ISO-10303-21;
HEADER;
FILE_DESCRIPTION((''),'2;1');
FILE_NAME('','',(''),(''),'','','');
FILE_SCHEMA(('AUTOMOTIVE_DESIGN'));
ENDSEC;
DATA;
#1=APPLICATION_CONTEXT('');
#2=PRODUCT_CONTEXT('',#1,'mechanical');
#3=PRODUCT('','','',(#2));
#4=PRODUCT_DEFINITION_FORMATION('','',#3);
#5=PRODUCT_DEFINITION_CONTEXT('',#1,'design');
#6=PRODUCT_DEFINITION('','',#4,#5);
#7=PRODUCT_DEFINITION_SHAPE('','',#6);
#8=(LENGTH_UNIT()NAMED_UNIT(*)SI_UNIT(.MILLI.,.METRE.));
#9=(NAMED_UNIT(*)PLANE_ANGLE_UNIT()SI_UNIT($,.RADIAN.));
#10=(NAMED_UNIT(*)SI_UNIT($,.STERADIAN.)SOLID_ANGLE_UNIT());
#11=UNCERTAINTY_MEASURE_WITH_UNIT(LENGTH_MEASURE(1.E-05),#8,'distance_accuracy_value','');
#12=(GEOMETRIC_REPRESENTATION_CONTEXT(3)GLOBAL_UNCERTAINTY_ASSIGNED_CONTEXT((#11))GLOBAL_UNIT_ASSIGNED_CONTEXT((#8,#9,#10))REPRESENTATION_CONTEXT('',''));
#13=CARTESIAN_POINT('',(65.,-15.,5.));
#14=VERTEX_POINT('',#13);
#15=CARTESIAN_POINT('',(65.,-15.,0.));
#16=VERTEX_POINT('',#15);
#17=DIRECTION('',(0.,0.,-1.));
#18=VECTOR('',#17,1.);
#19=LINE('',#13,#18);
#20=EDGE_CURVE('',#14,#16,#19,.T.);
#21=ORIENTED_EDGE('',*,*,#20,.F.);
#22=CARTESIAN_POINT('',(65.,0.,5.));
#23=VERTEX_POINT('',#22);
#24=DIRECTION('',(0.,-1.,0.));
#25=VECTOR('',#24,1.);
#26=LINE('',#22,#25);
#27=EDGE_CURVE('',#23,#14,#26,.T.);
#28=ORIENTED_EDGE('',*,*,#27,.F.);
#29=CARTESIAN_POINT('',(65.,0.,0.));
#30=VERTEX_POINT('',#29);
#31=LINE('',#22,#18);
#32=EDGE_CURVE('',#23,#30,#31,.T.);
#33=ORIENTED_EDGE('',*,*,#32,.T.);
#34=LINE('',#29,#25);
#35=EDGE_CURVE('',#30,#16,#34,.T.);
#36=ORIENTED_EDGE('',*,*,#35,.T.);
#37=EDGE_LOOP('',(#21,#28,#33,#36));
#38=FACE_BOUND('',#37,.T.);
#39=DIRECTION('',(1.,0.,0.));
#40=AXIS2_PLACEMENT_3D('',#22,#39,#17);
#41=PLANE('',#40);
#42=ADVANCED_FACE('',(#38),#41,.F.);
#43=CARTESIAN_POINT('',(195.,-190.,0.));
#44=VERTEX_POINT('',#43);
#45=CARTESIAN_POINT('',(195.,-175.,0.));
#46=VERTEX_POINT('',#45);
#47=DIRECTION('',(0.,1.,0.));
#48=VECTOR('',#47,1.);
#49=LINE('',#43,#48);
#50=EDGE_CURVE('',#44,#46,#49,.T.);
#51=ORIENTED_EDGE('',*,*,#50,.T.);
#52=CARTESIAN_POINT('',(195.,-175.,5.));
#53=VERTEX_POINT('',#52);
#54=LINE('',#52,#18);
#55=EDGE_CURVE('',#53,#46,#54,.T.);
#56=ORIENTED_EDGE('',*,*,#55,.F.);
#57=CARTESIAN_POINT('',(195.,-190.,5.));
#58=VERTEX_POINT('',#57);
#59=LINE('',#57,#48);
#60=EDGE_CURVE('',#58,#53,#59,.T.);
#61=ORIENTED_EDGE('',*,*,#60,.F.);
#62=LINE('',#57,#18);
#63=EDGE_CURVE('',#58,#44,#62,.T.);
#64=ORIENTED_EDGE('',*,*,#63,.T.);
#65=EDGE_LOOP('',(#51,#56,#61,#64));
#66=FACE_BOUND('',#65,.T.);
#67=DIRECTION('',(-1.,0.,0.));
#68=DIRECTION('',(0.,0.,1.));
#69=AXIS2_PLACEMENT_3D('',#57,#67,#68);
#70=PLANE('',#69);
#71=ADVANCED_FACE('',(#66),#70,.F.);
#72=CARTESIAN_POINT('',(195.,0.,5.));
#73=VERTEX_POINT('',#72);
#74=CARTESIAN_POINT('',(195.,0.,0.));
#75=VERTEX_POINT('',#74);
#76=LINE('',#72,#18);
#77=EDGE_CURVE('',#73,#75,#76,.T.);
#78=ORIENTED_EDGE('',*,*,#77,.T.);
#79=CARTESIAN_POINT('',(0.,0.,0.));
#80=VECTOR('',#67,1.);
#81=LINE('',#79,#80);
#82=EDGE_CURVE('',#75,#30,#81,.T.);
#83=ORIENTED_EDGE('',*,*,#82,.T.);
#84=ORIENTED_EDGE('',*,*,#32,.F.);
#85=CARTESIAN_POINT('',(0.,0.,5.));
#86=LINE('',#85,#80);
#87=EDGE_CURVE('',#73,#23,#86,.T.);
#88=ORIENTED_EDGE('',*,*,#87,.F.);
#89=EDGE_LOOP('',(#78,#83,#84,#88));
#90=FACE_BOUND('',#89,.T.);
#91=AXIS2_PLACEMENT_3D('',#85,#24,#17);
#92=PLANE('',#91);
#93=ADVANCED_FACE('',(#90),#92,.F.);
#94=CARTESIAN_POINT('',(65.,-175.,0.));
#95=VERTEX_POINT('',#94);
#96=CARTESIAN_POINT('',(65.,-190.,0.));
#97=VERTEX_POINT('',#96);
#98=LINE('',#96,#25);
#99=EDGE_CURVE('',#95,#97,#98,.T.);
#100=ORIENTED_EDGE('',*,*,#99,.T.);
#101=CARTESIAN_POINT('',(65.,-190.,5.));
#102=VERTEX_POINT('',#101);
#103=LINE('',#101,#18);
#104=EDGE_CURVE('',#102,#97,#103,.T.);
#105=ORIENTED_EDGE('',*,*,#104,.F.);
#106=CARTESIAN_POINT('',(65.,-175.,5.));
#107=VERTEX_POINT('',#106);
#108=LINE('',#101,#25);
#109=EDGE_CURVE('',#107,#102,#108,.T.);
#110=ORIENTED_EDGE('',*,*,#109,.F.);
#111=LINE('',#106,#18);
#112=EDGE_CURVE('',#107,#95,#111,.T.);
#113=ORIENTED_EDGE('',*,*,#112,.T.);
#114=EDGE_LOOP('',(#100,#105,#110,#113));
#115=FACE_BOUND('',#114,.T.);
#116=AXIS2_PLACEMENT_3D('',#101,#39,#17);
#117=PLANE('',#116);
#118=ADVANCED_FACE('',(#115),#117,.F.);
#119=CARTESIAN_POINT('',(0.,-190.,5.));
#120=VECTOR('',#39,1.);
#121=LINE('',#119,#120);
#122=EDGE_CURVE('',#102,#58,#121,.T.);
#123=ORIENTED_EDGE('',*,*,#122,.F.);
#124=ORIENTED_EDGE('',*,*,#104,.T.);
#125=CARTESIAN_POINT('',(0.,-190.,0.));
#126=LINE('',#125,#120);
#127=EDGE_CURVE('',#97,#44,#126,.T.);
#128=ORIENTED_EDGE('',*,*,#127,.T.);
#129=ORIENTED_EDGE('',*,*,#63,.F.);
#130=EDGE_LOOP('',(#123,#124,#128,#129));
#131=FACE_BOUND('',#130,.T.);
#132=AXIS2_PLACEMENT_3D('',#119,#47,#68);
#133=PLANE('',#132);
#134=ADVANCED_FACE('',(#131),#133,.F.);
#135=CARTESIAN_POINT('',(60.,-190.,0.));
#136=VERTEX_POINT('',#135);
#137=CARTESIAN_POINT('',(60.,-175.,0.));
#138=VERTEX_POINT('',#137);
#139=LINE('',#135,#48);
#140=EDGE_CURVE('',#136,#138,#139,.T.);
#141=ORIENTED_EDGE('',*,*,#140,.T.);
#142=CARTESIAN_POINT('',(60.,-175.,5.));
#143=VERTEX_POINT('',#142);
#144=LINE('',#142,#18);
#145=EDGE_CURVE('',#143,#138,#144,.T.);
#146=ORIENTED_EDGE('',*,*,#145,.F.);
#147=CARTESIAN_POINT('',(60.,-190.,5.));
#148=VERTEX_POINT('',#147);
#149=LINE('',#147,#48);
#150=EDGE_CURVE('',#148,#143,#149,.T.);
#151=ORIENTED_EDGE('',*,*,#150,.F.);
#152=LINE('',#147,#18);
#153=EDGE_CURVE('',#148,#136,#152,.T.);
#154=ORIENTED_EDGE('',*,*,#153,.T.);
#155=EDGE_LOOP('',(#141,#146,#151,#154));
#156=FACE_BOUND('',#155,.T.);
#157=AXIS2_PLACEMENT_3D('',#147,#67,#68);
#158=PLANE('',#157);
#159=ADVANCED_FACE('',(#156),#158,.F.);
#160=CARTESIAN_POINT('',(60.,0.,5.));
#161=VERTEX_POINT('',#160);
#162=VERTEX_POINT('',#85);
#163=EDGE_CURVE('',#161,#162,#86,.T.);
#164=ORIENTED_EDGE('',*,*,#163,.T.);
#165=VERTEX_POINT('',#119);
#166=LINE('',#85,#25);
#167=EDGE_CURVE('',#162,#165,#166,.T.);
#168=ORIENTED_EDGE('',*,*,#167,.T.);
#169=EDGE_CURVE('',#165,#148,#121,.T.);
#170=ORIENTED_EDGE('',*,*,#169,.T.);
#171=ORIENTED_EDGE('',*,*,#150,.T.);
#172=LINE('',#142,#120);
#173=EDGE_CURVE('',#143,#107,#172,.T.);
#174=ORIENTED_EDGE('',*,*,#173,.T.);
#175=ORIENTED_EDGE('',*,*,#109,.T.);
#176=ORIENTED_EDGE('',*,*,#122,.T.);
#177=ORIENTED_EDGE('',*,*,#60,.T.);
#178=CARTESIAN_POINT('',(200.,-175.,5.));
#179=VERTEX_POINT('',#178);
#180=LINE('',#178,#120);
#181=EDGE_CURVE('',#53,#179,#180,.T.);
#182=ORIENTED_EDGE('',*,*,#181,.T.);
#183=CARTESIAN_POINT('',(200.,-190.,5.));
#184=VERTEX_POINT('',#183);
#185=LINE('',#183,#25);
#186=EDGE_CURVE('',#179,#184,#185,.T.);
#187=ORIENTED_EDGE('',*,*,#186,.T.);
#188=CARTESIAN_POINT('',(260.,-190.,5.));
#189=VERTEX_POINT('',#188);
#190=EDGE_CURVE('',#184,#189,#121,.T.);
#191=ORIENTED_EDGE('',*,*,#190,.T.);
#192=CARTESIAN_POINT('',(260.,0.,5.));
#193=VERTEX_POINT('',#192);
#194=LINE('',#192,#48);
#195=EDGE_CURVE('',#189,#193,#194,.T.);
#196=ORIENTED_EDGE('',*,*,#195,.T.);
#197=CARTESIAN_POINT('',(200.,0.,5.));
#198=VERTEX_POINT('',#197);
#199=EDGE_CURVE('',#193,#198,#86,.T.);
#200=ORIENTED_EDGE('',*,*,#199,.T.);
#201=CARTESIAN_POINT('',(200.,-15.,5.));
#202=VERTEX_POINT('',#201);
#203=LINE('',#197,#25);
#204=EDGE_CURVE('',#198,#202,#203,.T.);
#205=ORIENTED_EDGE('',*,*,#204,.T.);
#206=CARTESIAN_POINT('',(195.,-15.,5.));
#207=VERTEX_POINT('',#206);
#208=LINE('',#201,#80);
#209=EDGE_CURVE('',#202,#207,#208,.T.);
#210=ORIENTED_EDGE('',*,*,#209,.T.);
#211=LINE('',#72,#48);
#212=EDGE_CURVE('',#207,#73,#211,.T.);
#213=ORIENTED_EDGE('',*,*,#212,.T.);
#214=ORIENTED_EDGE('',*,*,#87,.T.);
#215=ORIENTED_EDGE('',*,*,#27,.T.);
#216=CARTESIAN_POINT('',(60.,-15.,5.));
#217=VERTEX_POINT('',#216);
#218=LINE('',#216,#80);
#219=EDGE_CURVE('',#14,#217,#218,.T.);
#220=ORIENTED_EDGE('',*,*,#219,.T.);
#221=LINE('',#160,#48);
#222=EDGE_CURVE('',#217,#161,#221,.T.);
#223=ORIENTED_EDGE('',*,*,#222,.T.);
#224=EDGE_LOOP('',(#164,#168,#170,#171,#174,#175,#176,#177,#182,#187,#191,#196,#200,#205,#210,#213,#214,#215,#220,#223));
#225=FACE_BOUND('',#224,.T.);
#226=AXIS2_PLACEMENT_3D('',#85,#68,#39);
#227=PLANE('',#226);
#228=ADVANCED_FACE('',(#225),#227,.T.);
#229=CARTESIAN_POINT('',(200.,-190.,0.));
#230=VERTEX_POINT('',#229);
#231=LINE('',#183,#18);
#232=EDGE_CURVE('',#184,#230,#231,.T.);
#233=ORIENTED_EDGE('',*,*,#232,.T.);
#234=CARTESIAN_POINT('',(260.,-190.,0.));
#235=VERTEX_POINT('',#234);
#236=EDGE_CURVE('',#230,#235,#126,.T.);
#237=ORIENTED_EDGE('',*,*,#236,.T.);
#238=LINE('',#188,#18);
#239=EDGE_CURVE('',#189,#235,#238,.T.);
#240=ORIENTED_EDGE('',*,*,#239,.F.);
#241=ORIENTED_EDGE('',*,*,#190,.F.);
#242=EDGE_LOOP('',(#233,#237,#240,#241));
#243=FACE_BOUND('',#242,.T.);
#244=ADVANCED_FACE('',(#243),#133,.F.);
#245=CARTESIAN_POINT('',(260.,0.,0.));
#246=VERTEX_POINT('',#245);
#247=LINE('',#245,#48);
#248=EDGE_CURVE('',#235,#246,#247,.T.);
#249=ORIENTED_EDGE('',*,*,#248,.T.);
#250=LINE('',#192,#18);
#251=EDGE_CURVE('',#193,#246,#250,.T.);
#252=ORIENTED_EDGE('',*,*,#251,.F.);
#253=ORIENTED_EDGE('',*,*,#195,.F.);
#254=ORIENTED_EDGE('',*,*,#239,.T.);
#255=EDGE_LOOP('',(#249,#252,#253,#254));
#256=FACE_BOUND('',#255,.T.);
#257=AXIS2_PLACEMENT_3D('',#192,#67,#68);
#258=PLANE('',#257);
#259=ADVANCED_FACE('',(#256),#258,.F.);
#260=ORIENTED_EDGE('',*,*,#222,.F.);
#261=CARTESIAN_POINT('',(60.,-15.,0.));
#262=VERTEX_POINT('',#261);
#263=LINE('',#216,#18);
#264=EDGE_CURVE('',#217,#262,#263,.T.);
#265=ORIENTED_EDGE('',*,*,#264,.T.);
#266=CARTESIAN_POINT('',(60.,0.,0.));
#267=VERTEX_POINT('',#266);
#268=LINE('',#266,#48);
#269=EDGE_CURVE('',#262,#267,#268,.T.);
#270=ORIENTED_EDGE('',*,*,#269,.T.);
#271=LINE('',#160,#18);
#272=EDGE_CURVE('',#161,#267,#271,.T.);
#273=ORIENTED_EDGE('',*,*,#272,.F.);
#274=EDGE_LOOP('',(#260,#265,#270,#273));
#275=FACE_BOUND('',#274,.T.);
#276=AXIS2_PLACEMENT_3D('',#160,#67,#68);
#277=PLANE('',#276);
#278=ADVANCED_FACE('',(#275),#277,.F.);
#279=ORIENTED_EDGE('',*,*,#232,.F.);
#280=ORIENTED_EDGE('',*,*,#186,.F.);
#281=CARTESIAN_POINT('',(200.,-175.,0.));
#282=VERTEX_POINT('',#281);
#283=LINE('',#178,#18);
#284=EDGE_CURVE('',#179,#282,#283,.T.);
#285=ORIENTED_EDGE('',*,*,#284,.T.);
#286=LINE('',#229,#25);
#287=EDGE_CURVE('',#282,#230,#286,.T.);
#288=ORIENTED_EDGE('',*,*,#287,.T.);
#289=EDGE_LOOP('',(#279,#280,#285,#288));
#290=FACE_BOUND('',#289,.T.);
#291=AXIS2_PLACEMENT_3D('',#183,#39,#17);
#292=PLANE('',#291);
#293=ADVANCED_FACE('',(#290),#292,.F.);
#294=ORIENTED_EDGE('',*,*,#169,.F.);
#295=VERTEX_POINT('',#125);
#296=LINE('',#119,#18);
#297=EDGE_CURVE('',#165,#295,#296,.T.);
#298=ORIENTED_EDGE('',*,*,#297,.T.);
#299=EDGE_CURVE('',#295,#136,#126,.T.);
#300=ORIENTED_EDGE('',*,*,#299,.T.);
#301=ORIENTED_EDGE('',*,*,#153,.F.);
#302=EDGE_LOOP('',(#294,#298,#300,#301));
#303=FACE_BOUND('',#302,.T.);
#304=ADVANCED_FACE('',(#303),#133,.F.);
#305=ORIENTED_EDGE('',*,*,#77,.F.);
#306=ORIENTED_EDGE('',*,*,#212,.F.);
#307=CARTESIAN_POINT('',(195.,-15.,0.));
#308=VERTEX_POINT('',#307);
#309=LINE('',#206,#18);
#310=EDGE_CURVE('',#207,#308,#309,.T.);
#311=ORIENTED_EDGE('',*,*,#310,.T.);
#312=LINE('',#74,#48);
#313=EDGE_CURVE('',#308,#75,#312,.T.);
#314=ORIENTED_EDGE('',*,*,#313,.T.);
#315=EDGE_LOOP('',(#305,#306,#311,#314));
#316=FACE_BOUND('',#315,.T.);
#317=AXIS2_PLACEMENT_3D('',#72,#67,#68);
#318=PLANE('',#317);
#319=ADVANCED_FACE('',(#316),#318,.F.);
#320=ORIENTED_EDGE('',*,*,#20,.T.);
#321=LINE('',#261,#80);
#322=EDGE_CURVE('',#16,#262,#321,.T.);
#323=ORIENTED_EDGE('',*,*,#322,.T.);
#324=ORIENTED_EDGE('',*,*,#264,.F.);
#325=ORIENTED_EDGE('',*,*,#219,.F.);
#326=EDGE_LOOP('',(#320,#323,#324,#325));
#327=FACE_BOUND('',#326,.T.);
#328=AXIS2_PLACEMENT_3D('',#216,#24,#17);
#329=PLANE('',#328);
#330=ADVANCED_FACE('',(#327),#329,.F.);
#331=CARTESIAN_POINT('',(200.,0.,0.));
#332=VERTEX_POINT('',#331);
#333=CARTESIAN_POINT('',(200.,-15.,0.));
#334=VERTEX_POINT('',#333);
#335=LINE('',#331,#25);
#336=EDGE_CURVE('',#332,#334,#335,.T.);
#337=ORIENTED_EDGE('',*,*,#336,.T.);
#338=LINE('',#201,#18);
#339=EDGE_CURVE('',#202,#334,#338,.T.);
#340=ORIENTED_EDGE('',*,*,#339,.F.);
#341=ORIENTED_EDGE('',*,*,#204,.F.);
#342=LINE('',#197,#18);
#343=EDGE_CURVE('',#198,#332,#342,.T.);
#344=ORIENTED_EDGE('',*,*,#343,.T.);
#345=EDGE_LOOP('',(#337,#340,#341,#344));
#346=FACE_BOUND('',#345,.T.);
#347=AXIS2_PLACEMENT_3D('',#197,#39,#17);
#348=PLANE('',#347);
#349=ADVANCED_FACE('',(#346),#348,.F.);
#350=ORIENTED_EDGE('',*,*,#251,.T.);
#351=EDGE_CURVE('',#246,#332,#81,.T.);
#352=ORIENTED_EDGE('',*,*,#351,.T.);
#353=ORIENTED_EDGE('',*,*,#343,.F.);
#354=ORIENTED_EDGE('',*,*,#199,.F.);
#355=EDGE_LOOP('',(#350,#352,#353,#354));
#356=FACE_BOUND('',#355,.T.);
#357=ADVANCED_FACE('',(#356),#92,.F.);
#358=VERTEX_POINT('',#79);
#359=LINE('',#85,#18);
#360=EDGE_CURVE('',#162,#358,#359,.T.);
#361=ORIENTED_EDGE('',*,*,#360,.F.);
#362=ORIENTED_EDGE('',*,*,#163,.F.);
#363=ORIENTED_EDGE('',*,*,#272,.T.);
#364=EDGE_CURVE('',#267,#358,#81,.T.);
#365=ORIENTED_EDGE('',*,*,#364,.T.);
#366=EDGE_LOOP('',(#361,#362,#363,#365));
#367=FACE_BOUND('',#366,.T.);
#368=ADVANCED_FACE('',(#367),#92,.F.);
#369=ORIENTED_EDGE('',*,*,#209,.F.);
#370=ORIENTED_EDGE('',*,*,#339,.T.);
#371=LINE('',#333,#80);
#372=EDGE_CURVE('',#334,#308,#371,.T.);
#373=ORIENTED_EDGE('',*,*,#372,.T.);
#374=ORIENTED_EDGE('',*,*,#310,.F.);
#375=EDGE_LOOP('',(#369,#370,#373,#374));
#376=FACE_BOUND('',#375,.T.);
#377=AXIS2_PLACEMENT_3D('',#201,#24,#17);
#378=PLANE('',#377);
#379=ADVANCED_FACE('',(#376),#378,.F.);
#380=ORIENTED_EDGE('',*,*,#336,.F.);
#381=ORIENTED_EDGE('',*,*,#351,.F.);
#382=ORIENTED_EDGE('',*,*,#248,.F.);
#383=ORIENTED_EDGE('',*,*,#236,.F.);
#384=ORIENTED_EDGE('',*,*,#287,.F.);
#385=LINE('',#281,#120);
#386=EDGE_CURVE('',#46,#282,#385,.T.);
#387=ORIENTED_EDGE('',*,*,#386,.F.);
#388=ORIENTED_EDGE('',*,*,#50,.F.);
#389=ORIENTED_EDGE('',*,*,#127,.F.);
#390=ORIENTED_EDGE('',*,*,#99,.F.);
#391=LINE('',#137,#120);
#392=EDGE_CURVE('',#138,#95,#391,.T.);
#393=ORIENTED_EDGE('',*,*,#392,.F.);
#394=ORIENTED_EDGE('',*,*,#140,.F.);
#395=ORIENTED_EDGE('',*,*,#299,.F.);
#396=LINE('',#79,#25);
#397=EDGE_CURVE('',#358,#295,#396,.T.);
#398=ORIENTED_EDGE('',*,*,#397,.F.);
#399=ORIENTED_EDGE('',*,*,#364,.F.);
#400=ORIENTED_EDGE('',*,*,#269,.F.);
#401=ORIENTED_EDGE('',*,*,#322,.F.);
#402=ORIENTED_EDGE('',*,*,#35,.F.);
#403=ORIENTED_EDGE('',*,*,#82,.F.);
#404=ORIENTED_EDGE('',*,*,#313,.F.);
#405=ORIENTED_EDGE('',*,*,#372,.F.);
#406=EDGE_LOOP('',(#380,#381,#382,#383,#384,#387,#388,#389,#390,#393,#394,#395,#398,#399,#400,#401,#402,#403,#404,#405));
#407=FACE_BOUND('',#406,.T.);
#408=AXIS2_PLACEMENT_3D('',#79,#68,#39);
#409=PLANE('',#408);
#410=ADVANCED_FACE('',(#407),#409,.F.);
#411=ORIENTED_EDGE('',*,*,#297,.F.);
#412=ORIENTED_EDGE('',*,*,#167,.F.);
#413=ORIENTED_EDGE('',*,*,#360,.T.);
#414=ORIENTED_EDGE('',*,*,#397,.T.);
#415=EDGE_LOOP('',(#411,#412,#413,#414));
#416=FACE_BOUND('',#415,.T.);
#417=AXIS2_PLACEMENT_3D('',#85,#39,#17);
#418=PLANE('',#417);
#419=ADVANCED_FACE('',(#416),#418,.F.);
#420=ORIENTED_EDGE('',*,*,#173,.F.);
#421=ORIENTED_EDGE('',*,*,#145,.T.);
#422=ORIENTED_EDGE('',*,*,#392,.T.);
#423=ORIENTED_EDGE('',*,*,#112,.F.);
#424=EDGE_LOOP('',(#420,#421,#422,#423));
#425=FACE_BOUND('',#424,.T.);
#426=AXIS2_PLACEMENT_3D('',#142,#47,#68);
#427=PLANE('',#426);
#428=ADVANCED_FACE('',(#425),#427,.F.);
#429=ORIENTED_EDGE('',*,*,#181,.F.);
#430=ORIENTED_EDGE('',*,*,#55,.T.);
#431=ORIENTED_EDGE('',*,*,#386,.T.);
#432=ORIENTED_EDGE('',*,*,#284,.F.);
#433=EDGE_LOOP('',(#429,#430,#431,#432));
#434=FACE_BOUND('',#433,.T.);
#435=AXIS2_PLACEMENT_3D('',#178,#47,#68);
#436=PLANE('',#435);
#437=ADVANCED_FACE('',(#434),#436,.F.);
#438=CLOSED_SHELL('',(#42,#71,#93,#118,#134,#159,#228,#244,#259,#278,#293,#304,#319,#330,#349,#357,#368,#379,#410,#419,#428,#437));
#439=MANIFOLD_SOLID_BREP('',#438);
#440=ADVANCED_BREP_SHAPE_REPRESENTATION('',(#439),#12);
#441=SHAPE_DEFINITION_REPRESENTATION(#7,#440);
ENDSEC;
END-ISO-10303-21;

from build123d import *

# Parameters (mm, degrees)
SKETCH1_W           = 260
SKETCH1_H           = 190
BOSS_EXTRUDE1_DEPTH = 5
SKETCH2_W           = 5
SKETCH2_H           = 15
CUT_EXTRUDE1_DEPTH  = 5


with BuildPart() as part:
    # Sketch1 → Boss-Extrude1 (new body)
    with BuildSketch(Plane.XY):
        with Locations((130, -95)):
            Rectangle(SKETCH1_W, SKETCH1_H)
    extrude(amount=BOSS_EXTRUDE1_DEPTH)

    # Sketch2 → Cut-Extrude1 (cut)
    with BuildSketch(Plane(origin=(0, 0, 0), x_dir=(-1, 0, 0), z_dir=(0, 0, -1))):
        with Locations((-197.5, -7.5)):
            Rectangle(SKETCH2_W, SKETCH2_H)
        with Locations((-197.5, -182.5)):
            Rectangle(SKETCH2_W, SKETCH2_H)
        with Locations((-62.5, -7.5)):
            Rectangle(SKETCH2_W, SKETCH2_H)
        with Locations((-62.5, -182.5)):
            Rectangle(SKETCH2_W, SKETCH2_H)
    extrude(amount=-CUT_EXTRUDE1_DEPTH, mode=Mode.SUBTRACT)


solid = part.part
